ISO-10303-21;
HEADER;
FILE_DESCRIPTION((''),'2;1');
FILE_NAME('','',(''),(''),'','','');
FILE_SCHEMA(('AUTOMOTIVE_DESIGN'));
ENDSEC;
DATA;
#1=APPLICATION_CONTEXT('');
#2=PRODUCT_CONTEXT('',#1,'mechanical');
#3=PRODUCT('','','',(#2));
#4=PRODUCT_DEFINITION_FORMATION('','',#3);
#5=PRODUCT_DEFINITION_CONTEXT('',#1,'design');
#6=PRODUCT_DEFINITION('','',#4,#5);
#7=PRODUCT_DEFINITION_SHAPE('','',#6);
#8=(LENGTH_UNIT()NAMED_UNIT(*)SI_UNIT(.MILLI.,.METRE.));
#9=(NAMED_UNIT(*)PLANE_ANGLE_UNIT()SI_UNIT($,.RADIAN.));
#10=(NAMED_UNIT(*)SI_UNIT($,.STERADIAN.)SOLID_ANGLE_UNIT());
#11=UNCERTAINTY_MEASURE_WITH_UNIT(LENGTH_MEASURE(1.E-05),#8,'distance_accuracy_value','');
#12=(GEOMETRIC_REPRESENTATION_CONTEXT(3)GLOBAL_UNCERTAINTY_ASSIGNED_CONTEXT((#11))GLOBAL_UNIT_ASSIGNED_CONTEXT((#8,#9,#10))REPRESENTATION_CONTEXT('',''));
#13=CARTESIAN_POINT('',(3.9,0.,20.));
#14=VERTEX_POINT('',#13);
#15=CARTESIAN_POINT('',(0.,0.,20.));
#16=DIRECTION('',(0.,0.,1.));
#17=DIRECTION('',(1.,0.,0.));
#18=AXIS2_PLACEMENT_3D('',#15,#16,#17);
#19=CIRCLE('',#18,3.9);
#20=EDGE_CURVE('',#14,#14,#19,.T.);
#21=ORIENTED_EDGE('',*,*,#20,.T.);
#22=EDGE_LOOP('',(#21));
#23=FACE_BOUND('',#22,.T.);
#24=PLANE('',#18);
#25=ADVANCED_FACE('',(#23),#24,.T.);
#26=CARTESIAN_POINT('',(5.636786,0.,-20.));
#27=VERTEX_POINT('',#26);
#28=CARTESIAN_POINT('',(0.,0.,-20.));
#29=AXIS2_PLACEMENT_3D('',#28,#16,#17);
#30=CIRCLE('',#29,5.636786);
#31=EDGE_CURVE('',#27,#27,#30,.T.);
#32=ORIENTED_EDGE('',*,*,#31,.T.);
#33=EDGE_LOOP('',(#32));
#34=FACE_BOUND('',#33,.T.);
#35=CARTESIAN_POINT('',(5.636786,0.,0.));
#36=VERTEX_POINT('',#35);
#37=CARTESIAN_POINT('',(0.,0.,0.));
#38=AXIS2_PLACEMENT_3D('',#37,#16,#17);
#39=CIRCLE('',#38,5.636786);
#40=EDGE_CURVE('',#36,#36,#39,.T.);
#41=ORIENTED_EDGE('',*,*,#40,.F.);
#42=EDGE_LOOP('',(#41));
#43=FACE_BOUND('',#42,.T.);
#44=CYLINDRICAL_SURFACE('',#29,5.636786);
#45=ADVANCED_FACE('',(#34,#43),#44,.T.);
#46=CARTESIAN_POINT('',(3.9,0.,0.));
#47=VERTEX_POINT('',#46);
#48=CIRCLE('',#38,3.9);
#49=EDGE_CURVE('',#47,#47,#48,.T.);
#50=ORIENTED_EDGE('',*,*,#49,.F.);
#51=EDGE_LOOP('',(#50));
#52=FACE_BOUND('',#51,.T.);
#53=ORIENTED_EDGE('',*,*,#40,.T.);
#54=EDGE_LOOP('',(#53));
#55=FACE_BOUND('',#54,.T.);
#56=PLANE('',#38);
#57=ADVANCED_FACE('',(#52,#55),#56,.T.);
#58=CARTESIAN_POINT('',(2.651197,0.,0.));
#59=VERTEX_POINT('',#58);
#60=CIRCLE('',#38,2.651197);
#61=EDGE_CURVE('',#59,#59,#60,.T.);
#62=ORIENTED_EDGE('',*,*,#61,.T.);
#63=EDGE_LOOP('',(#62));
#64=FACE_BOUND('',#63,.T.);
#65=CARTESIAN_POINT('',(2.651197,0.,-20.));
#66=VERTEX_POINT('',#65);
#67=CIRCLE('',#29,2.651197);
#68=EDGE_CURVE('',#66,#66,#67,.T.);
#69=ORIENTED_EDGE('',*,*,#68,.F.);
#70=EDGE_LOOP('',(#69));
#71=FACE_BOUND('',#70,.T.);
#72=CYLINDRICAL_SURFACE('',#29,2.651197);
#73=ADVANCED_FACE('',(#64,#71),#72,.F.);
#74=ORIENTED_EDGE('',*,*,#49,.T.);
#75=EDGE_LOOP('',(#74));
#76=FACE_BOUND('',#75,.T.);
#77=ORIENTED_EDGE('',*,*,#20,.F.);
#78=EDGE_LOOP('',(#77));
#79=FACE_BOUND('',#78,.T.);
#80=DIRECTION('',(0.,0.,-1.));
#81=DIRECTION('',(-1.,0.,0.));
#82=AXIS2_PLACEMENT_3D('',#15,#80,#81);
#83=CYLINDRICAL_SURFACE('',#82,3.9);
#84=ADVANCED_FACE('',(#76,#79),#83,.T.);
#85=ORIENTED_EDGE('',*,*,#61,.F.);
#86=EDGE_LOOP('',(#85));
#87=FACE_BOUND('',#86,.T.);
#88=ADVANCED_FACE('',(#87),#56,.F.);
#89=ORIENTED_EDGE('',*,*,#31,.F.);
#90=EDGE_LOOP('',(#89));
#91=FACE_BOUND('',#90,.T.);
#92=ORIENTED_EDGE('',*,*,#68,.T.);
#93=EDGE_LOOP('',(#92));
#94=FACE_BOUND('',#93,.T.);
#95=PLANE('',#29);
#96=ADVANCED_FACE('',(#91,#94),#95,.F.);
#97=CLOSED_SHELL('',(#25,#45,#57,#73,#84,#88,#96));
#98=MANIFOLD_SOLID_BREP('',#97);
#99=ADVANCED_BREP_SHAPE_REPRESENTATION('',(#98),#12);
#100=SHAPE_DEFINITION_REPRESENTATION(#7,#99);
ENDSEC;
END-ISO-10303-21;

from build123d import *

# Parameters (mm, degrees)
SKETCH_1_R      = 3.9
EXTRUDE_1_DEPTH = 20
SKETCH_2_R      = 5.636785761
SKETCH_2_R_2    = 2.651196968
EXTRUDE_2_DEPTH = 20


with BuildPart() as part:
    # 스케치1 → 보스-돌출1 (new body)
    with BuildSketch(Plane.XY):
        Circle(SKETCH_1_R)
    extrude(amount=EXTRUDE_1_DEPTH)

    # 스케치2 → 보스-돌출2 (add)
    with BuildSketch(Plane.XY):
        Circle(SKETCH_2_R)
        Circle(SKETCH_2_R_2, mode=Mode.SUBTRACT)
    extrude(amount=-EXTRUDE_2_DEPTH)


solid = part.part
